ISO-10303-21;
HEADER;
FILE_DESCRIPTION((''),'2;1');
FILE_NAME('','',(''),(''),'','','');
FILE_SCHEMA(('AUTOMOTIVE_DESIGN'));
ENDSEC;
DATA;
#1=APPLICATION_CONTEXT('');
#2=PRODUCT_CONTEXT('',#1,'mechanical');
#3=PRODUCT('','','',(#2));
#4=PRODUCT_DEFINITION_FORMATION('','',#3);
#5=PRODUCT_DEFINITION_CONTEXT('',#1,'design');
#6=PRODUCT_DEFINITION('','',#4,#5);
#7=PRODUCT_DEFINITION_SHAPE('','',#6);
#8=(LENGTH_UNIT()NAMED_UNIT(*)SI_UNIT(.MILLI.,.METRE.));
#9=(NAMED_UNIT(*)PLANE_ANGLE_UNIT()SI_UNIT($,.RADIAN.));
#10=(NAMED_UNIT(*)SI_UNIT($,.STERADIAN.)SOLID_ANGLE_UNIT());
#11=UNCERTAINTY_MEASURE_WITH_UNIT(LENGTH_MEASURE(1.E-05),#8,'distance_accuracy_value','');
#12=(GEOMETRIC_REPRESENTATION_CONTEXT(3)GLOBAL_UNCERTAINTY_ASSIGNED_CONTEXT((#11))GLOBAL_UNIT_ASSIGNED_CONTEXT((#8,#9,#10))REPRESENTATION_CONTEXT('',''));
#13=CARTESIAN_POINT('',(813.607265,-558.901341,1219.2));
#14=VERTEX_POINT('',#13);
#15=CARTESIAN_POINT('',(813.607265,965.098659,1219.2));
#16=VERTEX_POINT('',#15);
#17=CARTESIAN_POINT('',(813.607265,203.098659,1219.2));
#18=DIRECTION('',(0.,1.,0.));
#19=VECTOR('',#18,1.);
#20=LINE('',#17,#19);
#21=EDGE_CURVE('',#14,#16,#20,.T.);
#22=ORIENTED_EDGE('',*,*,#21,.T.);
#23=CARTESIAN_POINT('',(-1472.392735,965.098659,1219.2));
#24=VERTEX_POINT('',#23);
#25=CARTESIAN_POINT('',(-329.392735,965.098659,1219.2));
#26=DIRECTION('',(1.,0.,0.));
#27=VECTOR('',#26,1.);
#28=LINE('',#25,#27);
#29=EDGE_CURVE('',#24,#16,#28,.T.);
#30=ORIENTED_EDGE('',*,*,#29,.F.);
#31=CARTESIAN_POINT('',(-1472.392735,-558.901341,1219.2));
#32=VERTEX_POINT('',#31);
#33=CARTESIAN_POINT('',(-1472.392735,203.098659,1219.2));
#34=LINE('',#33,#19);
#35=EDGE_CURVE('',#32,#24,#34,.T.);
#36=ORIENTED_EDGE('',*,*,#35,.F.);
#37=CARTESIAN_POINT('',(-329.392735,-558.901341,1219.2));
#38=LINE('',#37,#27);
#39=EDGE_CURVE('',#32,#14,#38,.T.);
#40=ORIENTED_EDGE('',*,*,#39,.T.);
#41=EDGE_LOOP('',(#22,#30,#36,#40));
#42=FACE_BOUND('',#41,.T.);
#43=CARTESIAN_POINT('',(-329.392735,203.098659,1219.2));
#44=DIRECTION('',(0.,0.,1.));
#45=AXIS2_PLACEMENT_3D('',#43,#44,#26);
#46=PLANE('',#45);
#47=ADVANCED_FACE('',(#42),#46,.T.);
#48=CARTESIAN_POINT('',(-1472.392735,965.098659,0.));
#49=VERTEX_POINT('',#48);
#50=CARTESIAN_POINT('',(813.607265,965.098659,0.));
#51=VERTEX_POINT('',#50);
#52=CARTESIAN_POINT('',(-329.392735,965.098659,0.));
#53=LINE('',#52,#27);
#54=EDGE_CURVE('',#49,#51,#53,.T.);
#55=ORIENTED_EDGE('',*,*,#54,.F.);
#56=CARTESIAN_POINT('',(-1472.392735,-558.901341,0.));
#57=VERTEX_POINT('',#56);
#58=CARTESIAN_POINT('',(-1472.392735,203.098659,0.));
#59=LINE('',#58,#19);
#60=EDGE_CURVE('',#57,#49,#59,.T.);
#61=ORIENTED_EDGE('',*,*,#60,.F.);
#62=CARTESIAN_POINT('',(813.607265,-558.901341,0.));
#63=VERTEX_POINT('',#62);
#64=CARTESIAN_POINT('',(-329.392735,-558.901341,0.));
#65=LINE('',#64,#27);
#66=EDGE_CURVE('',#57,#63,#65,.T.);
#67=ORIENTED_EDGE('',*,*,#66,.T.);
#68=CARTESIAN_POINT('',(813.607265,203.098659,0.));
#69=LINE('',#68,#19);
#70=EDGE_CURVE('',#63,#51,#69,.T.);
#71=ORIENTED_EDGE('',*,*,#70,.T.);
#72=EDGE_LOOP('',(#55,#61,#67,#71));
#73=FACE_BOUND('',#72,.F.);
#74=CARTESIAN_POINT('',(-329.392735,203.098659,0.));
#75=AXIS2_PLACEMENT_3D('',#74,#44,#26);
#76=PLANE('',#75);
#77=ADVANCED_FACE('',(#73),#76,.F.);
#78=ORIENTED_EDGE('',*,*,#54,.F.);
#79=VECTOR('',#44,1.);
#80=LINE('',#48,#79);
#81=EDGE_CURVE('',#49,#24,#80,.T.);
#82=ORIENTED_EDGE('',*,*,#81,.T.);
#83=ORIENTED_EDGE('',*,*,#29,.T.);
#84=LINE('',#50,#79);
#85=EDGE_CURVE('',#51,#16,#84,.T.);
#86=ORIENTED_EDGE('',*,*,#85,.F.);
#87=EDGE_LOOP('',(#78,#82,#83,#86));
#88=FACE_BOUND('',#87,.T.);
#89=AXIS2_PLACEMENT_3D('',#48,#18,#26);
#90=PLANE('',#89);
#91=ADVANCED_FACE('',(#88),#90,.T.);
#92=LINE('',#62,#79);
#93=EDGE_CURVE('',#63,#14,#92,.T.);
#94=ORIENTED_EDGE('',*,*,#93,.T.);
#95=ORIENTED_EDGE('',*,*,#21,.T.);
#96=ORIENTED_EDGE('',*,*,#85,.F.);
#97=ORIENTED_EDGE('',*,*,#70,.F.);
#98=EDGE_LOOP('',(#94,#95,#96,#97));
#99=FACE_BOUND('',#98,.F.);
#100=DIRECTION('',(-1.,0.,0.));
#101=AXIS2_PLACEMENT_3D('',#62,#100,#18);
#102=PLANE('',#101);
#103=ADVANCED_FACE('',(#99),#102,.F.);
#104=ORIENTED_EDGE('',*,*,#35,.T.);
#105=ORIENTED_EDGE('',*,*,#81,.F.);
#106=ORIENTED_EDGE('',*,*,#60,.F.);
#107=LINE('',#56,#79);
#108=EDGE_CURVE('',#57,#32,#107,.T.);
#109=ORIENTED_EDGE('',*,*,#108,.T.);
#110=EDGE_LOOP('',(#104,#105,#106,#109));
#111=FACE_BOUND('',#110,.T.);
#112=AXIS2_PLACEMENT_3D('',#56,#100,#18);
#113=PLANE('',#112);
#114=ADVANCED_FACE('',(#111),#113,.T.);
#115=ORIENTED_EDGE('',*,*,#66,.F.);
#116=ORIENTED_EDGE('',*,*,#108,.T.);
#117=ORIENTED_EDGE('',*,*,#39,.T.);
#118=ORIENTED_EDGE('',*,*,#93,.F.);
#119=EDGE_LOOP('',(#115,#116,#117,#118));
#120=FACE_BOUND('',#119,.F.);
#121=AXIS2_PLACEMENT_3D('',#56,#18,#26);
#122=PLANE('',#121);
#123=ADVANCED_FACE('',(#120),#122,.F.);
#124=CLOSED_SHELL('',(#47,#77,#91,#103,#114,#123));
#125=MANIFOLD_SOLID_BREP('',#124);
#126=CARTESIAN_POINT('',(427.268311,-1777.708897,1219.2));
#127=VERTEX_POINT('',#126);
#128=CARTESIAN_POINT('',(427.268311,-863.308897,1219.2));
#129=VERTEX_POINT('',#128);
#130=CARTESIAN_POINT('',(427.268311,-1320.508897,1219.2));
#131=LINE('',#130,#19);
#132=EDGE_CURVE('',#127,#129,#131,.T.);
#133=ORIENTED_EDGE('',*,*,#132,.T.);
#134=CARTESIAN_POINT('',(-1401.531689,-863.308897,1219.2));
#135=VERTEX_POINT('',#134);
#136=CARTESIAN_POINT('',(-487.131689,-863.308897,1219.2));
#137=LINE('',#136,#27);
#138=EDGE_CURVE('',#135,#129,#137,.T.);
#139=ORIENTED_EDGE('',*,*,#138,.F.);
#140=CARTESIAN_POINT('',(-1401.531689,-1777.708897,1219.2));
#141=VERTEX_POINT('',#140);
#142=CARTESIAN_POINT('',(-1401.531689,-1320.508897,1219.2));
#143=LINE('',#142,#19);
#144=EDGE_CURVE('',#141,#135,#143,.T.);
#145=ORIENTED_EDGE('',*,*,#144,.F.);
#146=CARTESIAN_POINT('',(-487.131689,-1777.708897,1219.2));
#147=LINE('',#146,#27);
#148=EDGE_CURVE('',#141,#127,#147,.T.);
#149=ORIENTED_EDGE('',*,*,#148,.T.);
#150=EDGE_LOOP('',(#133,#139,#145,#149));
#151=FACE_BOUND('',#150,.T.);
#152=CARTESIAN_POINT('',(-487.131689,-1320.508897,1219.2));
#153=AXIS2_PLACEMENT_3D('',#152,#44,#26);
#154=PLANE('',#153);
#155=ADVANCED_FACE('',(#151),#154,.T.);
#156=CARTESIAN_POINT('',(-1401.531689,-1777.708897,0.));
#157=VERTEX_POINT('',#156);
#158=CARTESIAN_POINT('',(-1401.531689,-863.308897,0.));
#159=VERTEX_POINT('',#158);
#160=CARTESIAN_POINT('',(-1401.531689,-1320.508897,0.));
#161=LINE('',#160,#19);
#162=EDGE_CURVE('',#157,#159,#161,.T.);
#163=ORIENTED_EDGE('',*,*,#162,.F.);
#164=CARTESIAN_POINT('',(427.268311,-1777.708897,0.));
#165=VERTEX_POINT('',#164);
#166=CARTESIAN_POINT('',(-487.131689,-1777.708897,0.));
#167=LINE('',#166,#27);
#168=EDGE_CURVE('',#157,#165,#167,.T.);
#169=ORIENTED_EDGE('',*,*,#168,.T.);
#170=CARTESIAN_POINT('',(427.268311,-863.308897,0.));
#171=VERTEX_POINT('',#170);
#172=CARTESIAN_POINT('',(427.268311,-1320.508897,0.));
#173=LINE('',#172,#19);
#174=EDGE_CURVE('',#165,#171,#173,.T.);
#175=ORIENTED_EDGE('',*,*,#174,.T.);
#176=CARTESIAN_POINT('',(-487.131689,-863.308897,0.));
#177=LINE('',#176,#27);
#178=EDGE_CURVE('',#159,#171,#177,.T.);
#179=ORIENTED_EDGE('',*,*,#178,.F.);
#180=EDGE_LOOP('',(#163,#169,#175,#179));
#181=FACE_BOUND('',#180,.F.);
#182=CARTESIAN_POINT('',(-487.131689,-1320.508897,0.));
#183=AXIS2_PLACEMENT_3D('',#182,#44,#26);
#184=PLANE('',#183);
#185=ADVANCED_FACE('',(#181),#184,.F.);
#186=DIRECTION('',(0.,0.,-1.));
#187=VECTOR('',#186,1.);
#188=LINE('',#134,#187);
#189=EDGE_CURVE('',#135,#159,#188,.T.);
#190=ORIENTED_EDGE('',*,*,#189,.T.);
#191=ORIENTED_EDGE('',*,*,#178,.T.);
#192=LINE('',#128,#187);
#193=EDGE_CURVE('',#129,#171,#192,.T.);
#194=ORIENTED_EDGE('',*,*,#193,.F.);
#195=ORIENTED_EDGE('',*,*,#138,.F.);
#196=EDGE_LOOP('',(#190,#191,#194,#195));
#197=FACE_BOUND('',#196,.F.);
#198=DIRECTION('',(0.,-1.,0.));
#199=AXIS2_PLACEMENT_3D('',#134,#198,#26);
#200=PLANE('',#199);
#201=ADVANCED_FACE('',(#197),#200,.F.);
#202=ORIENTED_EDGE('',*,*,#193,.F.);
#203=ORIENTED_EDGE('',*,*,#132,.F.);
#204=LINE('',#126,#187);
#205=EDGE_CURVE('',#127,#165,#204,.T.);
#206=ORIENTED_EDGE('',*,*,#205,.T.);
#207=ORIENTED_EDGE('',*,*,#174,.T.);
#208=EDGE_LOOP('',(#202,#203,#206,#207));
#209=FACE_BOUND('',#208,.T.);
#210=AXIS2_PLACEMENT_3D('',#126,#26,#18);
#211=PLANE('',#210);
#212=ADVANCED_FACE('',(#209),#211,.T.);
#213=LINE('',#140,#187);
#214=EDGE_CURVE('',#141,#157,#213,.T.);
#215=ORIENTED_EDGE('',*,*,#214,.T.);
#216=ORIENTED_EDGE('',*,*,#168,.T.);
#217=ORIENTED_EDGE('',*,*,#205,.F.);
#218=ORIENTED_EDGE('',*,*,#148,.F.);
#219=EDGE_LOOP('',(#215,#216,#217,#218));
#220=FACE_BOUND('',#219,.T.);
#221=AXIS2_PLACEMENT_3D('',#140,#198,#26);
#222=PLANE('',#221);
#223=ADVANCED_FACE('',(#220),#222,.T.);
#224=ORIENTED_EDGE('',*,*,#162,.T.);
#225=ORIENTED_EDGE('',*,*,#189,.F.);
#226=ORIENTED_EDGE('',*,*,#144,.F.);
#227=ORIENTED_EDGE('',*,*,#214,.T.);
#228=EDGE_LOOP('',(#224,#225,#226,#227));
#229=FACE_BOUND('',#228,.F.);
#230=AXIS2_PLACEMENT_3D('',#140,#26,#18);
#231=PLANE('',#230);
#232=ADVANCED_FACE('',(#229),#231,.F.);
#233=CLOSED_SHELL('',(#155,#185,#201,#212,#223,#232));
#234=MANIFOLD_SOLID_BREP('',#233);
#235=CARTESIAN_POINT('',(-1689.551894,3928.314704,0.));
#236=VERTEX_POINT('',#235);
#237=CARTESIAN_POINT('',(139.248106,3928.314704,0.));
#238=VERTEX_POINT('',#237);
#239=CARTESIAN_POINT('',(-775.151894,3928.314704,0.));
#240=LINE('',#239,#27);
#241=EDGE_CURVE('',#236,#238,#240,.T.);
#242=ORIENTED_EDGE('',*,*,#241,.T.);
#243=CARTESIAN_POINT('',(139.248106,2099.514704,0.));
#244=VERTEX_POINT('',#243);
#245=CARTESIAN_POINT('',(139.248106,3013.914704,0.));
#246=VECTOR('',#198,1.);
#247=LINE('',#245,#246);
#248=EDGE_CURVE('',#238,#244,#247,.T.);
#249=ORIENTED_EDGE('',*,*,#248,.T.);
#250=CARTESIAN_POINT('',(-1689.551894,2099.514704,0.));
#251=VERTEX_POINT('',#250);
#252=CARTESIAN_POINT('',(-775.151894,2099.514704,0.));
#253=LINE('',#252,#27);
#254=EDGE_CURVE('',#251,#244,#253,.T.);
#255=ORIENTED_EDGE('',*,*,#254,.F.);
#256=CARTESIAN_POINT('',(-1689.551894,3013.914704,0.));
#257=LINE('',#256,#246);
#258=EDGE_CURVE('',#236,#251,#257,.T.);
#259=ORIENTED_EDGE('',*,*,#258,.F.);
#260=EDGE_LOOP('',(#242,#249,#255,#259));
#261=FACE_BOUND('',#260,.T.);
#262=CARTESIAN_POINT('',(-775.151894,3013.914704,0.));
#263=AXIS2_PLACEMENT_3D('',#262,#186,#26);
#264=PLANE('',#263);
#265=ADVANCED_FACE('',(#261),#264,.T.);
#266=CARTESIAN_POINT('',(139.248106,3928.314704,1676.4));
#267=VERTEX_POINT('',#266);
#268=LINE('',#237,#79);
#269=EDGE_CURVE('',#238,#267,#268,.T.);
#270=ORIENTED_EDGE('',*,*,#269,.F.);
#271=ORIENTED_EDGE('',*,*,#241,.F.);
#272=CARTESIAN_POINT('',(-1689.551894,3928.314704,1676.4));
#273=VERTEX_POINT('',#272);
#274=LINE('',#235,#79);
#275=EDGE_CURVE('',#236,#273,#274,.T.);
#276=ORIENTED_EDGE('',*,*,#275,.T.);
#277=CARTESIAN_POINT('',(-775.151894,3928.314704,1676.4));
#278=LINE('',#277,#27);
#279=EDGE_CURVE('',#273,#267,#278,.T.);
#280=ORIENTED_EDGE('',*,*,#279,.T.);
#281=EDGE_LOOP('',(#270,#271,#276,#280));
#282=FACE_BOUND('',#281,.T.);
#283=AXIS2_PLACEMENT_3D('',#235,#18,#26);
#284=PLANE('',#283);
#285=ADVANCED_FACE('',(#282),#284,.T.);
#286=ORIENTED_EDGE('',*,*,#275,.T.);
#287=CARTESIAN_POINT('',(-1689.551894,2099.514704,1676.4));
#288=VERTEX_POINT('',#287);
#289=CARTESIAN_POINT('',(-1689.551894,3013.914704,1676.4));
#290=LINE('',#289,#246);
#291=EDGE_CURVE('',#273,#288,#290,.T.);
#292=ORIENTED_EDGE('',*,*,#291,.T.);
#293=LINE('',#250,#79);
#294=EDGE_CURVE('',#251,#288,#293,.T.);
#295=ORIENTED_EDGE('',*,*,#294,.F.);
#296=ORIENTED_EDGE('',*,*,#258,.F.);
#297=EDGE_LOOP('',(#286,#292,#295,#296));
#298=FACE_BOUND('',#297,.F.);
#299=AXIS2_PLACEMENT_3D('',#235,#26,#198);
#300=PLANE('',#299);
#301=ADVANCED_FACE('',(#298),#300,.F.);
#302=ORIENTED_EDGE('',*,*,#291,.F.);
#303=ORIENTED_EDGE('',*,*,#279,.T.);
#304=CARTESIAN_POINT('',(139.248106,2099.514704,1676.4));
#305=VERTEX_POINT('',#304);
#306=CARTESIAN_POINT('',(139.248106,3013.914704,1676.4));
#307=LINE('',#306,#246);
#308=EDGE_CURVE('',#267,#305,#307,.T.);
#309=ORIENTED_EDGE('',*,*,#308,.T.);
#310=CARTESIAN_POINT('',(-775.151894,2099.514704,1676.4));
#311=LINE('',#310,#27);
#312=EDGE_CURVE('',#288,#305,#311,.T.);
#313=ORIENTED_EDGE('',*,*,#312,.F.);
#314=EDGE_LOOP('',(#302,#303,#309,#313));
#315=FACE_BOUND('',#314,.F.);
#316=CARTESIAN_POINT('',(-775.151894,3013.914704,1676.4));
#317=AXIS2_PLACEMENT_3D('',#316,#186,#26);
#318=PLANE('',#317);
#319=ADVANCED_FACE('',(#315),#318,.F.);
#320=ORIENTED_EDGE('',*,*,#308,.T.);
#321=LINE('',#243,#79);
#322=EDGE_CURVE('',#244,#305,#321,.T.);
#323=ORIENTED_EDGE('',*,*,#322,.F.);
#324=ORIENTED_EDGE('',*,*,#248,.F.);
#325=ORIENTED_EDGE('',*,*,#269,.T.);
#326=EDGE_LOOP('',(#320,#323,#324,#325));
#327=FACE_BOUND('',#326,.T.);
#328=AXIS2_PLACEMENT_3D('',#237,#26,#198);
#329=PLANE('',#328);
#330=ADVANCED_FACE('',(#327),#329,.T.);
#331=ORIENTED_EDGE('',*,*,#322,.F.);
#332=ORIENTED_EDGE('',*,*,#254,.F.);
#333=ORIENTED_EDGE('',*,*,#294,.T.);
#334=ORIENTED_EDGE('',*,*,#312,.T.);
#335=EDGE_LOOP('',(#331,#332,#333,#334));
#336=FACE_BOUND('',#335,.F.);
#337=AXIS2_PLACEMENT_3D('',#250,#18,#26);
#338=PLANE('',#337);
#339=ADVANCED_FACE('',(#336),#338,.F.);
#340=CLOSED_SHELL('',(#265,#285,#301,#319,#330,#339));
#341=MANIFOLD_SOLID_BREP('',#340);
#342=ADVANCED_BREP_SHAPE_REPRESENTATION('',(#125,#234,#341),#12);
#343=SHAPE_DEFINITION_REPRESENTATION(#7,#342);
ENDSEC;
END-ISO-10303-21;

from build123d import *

# Parameters (mm, degrees)
F0_W     = 2286
F0_H     = 1524
F1_DEPTH = 1219.2
F2_W     = 1828.8
F2_H     = 914.4
F3_DEPTH = 1219.2
F4_W     = 1828.8
F4_H     = 1828.8
F5_DEPTH = 1676.4


with BuildPart() as f1:
    # F0 (on Top) → F1 (new body)
    with BuildSketch(Plane.XY):
        with Locations((-329.392735, 203.098659)):
            Rectangle(F0_W, F0_H)
    extrude(amount=F1_DEPTH)


with BuildPart() as f3:
    # F2 (on face) → F3 (new body)
    with BuildSketch(Plane.XY.offset(1219.2)):
        with Locations((-487.131689, -1320.508897)):
            Rectangle(F2_W, F2_H)
    extrude(amount=-F3_DEPTH)


with BuildPart() as f5:
    # F4 (on face) → F5 (new body)
    with BuildSketch(Plane(origin=(0, 0, 0), x_dir=(1, 0, 0), z_dir=(0, 0, -1))):
        with Locations((-775.151894, -3013.914704)):
            Rectangle(F4_W, F4_H)
    extrude(amount=-F5_DEPTH)


solid = Compound([f1.part, f3.part, f5.part])
